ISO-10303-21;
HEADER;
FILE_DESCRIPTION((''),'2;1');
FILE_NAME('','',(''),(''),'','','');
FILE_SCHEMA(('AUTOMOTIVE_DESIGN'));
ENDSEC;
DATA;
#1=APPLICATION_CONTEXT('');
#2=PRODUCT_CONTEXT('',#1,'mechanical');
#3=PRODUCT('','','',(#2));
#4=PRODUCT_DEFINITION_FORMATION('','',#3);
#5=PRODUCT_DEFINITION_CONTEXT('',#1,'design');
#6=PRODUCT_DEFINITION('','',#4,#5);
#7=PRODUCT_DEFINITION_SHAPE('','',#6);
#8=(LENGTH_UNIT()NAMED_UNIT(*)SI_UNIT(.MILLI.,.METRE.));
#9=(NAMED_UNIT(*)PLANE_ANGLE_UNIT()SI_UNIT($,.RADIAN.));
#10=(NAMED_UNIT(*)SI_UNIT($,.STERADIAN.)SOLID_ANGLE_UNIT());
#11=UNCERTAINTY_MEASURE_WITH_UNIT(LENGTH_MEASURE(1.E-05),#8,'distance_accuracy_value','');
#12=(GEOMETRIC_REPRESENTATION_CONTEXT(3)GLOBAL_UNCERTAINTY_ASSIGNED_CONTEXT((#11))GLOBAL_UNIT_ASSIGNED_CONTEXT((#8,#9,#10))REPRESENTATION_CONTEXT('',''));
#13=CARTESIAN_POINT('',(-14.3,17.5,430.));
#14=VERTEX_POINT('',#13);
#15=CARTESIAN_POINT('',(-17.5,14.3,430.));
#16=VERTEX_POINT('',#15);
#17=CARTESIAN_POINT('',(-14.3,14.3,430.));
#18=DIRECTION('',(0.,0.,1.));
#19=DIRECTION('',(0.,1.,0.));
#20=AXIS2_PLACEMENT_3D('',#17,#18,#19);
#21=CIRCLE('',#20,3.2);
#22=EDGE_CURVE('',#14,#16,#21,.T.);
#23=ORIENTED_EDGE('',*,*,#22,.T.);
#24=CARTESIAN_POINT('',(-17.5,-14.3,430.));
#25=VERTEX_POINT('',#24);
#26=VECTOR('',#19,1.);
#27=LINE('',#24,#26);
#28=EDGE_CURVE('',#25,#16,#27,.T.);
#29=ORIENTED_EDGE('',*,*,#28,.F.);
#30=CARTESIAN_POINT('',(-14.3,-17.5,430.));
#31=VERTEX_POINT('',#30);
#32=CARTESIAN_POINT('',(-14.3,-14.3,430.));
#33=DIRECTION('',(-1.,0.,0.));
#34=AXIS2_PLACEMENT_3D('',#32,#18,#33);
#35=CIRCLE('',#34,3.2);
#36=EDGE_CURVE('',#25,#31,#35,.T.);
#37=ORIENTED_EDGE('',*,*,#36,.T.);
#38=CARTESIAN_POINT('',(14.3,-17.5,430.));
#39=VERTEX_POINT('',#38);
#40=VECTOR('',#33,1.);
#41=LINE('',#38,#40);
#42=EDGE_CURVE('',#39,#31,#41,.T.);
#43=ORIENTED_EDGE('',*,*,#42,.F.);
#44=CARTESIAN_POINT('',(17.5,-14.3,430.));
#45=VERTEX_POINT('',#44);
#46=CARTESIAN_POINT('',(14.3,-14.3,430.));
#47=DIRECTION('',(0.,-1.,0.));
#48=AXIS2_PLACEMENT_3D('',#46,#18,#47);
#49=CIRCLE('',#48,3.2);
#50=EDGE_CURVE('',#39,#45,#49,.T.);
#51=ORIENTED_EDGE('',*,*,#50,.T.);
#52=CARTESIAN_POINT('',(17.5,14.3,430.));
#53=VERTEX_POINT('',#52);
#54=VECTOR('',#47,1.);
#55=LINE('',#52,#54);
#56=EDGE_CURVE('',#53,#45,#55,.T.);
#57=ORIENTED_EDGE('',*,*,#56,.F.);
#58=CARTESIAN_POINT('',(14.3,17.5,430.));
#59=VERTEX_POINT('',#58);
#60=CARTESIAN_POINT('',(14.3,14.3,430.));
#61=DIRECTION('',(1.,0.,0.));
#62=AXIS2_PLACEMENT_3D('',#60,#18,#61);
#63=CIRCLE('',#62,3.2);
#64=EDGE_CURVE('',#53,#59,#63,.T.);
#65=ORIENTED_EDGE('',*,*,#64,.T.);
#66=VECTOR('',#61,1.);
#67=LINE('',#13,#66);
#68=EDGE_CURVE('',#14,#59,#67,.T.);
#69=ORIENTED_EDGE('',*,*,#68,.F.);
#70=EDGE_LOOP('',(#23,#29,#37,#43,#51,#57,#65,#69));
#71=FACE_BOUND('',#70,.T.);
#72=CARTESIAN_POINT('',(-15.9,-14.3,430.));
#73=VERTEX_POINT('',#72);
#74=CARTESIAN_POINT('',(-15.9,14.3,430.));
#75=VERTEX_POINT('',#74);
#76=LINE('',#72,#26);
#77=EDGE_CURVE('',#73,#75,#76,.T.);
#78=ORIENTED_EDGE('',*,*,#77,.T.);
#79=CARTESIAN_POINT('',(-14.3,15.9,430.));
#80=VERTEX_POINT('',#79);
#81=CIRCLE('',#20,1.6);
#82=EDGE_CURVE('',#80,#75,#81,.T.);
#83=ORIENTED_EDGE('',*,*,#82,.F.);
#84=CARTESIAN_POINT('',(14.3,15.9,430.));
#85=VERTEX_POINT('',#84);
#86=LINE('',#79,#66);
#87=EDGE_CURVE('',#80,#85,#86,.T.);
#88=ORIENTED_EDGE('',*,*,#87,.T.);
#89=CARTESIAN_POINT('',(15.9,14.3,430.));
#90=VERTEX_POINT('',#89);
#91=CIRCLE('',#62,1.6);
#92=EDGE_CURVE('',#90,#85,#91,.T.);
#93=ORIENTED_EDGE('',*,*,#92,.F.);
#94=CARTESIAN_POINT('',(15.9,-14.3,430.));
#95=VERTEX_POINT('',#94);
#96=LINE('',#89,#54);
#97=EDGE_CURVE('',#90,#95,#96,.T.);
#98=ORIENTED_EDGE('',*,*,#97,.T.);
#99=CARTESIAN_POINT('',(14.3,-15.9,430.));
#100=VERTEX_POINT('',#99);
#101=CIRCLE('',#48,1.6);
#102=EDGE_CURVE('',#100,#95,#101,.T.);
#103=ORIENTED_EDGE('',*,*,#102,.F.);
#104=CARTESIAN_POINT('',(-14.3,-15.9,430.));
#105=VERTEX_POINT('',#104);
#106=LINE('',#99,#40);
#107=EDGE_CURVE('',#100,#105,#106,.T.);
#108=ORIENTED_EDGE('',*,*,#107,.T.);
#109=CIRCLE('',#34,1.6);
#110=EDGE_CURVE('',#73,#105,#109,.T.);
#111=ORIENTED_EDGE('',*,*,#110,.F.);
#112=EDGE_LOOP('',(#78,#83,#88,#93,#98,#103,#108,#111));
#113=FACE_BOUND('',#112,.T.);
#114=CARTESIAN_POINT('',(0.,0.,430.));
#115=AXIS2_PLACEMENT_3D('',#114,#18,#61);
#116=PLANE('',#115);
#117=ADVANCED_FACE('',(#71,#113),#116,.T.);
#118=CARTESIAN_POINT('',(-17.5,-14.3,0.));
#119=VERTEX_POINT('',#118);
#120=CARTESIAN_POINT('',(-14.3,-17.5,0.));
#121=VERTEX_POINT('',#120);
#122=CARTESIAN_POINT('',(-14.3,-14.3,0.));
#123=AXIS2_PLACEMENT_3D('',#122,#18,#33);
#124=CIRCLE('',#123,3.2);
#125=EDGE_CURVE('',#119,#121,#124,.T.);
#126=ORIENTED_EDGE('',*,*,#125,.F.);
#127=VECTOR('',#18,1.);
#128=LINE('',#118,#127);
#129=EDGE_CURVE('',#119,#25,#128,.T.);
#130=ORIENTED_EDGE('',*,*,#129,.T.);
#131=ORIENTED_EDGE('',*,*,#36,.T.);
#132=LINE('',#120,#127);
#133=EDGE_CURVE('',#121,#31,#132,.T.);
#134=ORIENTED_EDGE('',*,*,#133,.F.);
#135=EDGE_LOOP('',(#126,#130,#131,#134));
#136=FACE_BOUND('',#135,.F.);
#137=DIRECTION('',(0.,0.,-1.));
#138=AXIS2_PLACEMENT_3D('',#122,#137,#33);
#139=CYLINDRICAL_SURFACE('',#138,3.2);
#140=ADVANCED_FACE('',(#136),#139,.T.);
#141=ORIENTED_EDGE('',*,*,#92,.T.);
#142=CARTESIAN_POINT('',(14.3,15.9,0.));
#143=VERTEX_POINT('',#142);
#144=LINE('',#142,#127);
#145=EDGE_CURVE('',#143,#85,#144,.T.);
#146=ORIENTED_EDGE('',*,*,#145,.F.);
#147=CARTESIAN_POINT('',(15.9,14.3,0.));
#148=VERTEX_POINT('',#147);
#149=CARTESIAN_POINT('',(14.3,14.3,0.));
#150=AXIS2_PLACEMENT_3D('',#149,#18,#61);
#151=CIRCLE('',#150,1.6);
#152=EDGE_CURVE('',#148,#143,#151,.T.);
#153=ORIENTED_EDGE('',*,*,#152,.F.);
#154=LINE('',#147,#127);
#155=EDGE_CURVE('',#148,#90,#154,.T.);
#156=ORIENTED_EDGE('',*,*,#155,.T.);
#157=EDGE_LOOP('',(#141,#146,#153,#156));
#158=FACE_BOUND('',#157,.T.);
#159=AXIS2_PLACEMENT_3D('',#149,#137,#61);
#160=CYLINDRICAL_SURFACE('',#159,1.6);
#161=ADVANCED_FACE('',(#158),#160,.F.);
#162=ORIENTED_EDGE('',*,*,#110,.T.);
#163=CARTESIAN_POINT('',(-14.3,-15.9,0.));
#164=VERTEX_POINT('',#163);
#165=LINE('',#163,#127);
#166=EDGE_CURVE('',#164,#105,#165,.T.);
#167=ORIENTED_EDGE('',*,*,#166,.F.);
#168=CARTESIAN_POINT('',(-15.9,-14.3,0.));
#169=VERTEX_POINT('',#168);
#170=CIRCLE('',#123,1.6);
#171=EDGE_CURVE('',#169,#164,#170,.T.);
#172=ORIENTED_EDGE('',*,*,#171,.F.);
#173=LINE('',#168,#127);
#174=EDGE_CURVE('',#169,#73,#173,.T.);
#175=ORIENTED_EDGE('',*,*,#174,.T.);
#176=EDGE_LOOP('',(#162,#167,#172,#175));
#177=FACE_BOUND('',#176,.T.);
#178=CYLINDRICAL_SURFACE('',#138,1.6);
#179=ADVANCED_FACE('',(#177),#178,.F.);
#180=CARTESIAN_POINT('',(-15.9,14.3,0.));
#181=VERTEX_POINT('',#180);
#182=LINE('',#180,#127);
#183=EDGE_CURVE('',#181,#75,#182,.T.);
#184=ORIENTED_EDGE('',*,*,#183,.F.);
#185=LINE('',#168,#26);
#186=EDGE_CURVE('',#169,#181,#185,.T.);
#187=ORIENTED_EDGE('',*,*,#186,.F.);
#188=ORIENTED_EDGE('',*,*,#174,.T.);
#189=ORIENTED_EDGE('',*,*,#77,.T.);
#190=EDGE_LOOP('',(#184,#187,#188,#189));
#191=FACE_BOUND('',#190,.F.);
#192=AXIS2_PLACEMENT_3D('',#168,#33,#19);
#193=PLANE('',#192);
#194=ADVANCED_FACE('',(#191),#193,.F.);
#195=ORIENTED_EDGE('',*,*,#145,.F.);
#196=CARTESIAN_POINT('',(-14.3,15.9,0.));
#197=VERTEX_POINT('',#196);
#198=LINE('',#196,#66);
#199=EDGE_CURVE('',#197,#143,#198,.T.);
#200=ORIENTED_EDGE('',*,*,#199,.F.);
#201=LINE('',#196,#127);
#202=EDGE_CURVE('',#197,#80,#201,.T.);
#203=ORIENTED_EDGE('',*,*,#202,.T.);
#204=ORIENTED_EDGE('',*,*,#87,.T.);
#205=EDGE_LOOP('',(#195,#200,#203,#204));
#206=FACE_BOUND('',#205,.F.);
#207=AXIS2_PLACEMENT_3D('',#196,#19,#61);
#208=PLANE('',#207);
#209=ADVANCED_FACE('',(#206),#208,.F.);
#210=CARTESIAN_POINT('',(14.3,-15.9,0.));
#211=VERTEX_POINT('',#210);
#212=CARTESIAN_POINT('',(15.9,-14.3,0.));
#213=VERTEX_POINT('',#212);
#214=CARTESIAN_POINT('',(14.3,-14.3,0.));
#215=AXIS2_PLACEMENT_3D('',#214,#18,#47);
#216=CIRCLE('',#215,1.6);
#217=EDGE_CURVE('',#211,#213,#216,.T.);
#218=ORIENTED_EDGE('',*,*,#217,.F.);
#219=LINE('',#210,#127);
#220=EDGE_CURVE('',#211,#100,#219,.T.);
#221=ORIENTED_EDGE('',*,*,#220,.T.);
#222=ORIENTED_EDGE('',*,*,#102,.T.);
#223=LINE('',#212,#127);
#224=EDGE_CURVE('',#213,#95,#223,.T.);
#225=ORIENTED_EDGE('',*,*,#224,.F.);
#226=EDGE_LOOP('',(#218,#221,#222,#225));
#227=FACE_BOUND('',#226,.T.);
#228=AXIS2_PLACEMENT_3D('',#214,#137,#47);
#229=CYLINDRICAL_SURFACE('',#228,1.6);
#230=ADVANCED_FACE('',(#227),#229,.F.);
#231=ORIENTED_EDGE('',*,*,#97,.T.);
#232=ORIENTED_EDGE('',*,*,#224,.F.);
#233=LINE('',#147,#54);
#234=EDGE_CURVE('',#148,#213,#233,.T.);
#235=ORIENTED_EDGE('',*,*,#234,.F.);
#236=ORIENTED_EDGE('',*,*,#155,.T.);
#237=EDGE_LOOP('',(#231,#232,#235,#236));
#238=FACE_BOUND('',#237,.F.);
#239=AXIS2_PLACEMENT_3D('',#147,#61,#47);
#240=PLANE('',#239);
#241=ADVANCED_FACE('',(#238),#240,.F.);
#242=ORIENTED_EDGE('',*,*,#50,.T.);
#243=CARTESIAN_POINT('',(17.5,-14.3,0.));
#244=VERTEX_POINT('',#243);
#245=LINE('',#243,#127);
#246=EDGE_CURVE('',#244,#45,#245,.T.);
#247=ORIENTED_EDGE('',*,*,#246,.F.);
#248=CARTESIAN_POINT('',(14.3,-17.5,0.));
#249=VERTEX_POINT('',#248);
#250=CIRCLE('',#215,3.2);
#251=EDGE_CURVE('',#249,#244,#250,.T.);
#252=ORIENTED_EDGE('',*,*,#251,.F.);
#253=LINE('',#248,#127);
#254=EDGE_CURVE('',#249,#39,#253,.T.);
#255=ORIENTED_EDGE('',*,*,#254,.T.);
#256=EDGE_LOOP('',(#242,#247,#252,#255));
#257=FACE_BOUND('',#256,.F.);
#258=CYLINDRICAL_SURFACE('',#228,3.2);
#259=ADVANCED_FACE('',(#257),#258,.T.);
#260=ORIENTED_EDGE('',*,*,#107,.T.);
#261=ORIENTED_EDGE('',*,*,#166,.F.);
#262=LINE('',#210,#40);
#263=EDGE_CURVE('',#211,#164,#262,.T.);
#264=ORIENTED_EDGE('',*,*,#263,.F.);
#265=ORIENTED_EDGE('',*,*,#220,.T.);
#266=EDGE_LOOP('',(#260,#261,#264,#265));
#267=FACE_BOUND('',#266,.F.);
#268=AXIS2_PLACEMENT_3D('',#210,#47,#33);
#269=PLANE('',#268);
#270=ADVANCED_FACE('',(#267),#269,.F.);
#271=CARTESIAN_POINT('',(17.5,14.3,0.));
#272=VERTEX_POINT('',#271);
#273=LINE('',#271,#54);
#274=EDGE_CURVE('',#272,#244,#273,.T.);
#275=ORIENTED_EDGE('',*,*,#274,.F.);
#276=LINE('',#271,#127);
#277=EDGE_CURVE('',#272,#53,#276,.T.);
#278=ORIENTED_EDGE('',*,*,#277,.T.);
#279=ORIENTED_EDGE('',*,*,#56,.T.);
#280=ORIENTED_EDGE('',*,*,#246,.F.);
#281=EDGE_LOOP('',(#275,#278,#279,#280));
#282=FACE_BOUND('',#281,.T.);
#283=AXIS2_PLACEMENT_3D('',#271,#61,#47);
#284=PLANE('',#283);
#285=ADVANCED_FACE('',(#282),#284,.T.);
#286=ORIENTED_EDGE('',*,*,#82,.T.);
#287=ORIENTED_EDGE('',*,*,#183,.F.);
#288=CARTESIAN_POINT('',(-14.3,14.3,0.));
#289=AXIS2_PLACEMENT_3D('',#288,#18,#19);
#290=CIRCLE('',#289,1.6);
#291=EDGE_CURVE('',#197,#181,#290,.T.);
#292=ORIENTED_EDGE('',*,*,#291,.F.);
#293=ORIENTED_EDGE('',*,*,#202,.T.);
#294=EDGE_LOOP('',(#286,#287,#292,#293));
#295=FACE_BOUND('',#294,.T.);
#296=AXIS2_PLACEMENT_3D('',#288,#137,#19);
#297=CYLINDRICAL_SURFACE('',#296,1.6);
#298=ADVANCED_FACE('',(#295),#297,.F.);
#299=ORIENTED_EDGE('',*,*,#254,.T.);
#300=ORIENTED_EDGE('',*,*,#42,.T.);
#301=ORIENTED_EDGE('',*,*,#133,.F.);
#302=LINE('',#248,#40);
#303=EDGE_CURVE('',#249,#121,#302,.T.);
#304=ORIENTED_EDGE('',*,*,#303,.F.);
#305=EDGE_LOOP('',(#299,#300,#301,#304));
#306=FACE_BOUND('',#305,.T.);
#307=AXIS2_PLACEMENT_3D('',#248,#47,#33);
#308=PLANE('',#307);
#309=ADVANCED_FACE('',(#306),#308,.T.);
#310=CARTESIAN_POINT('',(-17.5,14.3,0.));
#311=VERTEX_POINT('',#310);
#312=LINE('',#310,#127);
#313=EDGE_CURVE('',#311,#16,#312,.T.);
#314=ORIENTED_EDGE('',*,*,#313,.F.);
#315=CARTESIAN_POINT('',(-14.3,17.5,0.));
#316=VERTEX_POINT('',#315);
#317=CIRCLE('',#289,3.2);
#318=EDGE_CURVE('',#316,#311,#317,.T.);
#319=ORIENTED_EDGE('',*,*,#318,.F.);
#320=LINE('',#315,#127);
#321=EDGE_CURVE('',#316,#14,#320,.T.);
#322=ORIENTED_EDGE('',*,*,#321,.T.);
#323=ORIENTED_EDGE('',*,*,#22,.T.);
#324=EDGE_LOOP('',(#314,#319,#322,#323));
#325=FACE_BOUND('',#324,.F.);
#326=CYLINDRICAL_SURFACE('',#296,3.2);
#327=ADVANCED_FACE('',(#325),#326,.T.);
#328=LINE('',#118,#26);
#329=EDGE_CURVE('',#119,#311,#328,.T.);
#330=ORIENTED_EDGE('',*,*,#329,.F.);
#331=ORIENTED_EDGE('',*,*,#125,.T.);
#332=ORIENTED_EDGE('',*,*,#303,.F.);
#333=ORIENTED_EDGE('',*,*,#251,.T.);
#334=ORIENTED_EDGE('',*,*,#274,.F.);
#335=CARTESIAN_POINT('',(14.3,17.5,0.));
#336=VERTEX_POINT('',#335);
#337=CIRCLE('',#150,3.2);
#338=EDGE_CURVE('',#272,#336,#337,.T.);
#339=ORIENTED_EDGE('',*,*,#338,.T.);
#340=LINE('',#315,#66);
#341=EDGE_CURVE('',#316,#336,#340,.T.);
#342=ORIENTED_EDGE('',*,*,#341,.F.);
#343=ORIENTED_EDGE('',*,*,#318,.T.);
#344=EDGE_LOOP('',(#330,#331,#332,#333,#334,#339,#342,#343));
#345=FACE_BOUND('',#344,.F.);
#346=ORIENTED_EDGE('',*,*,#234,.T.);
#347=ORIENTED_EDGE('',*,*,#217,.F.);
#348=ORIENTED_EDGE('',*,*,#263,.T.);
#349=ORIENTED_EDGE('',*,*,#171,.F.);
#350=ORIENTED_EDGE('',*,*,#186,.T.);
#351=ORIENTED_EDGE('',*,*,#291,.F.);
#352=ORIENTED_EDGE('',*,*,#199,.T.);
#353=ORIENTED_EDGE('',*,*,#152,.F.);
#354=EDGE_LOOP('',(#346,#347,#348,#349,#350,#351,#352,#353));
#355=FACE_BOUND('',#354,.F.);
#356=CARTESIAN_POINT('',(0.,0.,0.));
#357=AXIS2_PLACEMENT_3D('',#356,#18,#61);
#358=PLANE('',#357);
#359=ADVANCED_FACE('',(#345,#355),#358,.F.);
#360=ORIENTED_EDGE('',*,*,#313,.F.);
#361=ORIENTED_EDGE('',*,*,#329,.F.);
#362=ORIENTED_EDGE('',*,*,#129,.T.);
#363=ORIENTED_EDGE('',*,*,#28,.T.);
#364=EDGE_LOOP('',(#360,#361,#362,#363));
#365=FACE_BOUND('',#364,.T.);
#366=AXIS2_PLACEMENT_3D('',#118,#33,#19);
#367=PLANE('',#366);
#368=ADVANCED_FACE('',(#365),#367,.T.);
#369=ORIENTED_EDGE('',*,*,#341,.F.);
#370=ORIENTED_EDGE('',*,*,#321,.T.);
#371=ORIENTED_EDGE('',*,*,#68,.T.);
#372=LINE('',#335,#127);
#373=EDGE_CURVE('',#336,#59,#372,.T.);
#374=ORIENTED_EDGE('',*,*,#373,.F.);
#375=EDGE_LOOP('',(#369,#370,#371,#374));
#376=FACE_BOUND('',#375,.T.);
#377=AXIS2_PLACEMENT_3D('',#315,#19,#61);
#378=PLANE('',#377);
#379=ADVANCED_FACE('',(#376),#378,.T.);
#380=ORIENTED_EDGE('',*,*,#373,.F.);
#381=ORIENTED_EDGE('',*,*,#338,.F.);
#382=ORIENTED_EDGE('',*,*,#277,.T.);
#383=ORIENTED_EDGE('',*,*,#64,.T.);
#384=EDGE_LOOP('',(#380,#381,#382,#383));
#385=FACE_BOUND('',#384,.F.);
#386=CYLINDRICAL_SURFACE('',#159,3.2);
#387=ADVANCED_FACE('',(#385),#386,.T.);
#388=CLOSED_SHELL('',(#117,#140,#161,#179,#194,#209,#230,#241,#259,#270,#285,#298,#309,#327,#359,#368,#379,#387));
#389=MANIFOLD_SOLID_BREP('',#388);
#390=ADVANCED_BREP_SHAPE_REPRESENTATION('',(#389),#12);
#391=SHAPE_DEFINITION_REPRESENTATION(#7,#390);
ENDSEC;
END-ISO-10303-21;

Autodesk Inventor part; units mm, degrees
ref_plane "YZ Plane" through (0, 0, 0) normal (1, 0, 0) x (0, 1, 0)
ref_plane "Start plane" through (0, 0, 0) normal (0, 0, 1) x (1, 0, 0)
ref_plane "End plane" through (0, 0, 430) normal (0, 0, 1) x (1, 0, 0)
sketch "Sketch" plane through (0, 0, 0) normal (0, 0, 1) x (1, 0, 0)
  line L0 (-17.5, -14.3) -> (-17.5, 14.3)
  line L1 (-14.3, 17.5) -> (14.3, 17.5)
  line L2 (17.5, 14.3) -> (17.5, -14.3)
  line L3 (14.3, -17.5) -> (-14.3, -17.5)
  arc A0 (-17.5, -14.3) -> (-14.3, -17.5) centre (-14.3, -14.3) ccw
  arc A1 (-14.3, 17.5) -> (-17.5, 14.3) centre (-14.3, 14.3) ccw
  arc A2 (17.5, 14.3) -> (14.3, 17.5) centre (14.3, 14.3) ccw
  arc A3 (14.3, -17.5) -> (17.5, -14.3) centre (14.3, -14.3) ccw
  arc A4 (-14.3, 15.9) -> (-15.9, 14.3) centre (-14.3, 14.3) ccw
  line L4 (-14.3, 15.9) -> (14.3, 15.9)
  arc A5 (15.9, 14.3) -> (14.3, 15.9) centre (14.3, 14.3) ccw
  line L5 (15.9, 14.3) -> (15.9, -14.3)
  arc A6 (14.3, -15.9) -> (15.9, -14.3) centre (14.3, -14.3) ccw
  line L6 (14.3, -15.9) -> (-14.3, -15.9)
  arc A7 (-15.9, -14.3) -> (-14.3, -15.9) centre (-14.3, -14.3) ccw
  line L7 (-15.9, -14.3) -> (-15.9, 14.3)
  line L8 (0, 25.4278) -> (0, -25.4278) construction
  line L9 (-25.4278, 0) -> (25.4278, 0) construction
  dimension "d7" = 3.2
  dimension "d10" = 35
  dimension "d11" = 35
  dimension "d12" = 1.6
  dimension "d15" = 17.5
  dimension "d16" = 17.5
extrude "Body" add sketch "Sketch" along normal up to surface (430 mm away) from surface at 0
sketch "Sketch3" plane through (0, 0, 0) normal (0, 0, 1) x (1, 0, 0)
  line L0 (0, 0) -> (10, 0)
ref_plane "Work Plane3" through (0, 0, 0) normal (0, -1, 0) x (1, 0, 0)
sketch "Sketch4" plane through (0, 0, 0) normal (0, -1, 0) x (1, 0, 0)
  line L0 (-2, 0) -> (12, 0)
  line L1 (-2, 430) -> (12, 430)
  dimension "d18" = 430
equation "\"d7\" = G_IR"
equation "\"d10\" = G_H"
equation "\"d11\" = G_W"
equation "\"d12\" = G_T"
equation "\"d15\" = 0.5 * d10"
equation "\"d16\" = 0.5 * d11"
equation "\"d3\" = G_L"
equation "\"G_W\" = 35"
equation "\"G_H\" = 35"
equation "\"G_T\" = 1.6"
equation "\"G_IR\" = 3.2"
equation "\"G_L\" = d18"
equation "\"G_OFFSET_START\" = 0"
equation "\"G_OFFSET_END\" = 0"
properties part number "AS C350L0 35x35x3.0 SHS 00000053" material "Steel, Mild"
